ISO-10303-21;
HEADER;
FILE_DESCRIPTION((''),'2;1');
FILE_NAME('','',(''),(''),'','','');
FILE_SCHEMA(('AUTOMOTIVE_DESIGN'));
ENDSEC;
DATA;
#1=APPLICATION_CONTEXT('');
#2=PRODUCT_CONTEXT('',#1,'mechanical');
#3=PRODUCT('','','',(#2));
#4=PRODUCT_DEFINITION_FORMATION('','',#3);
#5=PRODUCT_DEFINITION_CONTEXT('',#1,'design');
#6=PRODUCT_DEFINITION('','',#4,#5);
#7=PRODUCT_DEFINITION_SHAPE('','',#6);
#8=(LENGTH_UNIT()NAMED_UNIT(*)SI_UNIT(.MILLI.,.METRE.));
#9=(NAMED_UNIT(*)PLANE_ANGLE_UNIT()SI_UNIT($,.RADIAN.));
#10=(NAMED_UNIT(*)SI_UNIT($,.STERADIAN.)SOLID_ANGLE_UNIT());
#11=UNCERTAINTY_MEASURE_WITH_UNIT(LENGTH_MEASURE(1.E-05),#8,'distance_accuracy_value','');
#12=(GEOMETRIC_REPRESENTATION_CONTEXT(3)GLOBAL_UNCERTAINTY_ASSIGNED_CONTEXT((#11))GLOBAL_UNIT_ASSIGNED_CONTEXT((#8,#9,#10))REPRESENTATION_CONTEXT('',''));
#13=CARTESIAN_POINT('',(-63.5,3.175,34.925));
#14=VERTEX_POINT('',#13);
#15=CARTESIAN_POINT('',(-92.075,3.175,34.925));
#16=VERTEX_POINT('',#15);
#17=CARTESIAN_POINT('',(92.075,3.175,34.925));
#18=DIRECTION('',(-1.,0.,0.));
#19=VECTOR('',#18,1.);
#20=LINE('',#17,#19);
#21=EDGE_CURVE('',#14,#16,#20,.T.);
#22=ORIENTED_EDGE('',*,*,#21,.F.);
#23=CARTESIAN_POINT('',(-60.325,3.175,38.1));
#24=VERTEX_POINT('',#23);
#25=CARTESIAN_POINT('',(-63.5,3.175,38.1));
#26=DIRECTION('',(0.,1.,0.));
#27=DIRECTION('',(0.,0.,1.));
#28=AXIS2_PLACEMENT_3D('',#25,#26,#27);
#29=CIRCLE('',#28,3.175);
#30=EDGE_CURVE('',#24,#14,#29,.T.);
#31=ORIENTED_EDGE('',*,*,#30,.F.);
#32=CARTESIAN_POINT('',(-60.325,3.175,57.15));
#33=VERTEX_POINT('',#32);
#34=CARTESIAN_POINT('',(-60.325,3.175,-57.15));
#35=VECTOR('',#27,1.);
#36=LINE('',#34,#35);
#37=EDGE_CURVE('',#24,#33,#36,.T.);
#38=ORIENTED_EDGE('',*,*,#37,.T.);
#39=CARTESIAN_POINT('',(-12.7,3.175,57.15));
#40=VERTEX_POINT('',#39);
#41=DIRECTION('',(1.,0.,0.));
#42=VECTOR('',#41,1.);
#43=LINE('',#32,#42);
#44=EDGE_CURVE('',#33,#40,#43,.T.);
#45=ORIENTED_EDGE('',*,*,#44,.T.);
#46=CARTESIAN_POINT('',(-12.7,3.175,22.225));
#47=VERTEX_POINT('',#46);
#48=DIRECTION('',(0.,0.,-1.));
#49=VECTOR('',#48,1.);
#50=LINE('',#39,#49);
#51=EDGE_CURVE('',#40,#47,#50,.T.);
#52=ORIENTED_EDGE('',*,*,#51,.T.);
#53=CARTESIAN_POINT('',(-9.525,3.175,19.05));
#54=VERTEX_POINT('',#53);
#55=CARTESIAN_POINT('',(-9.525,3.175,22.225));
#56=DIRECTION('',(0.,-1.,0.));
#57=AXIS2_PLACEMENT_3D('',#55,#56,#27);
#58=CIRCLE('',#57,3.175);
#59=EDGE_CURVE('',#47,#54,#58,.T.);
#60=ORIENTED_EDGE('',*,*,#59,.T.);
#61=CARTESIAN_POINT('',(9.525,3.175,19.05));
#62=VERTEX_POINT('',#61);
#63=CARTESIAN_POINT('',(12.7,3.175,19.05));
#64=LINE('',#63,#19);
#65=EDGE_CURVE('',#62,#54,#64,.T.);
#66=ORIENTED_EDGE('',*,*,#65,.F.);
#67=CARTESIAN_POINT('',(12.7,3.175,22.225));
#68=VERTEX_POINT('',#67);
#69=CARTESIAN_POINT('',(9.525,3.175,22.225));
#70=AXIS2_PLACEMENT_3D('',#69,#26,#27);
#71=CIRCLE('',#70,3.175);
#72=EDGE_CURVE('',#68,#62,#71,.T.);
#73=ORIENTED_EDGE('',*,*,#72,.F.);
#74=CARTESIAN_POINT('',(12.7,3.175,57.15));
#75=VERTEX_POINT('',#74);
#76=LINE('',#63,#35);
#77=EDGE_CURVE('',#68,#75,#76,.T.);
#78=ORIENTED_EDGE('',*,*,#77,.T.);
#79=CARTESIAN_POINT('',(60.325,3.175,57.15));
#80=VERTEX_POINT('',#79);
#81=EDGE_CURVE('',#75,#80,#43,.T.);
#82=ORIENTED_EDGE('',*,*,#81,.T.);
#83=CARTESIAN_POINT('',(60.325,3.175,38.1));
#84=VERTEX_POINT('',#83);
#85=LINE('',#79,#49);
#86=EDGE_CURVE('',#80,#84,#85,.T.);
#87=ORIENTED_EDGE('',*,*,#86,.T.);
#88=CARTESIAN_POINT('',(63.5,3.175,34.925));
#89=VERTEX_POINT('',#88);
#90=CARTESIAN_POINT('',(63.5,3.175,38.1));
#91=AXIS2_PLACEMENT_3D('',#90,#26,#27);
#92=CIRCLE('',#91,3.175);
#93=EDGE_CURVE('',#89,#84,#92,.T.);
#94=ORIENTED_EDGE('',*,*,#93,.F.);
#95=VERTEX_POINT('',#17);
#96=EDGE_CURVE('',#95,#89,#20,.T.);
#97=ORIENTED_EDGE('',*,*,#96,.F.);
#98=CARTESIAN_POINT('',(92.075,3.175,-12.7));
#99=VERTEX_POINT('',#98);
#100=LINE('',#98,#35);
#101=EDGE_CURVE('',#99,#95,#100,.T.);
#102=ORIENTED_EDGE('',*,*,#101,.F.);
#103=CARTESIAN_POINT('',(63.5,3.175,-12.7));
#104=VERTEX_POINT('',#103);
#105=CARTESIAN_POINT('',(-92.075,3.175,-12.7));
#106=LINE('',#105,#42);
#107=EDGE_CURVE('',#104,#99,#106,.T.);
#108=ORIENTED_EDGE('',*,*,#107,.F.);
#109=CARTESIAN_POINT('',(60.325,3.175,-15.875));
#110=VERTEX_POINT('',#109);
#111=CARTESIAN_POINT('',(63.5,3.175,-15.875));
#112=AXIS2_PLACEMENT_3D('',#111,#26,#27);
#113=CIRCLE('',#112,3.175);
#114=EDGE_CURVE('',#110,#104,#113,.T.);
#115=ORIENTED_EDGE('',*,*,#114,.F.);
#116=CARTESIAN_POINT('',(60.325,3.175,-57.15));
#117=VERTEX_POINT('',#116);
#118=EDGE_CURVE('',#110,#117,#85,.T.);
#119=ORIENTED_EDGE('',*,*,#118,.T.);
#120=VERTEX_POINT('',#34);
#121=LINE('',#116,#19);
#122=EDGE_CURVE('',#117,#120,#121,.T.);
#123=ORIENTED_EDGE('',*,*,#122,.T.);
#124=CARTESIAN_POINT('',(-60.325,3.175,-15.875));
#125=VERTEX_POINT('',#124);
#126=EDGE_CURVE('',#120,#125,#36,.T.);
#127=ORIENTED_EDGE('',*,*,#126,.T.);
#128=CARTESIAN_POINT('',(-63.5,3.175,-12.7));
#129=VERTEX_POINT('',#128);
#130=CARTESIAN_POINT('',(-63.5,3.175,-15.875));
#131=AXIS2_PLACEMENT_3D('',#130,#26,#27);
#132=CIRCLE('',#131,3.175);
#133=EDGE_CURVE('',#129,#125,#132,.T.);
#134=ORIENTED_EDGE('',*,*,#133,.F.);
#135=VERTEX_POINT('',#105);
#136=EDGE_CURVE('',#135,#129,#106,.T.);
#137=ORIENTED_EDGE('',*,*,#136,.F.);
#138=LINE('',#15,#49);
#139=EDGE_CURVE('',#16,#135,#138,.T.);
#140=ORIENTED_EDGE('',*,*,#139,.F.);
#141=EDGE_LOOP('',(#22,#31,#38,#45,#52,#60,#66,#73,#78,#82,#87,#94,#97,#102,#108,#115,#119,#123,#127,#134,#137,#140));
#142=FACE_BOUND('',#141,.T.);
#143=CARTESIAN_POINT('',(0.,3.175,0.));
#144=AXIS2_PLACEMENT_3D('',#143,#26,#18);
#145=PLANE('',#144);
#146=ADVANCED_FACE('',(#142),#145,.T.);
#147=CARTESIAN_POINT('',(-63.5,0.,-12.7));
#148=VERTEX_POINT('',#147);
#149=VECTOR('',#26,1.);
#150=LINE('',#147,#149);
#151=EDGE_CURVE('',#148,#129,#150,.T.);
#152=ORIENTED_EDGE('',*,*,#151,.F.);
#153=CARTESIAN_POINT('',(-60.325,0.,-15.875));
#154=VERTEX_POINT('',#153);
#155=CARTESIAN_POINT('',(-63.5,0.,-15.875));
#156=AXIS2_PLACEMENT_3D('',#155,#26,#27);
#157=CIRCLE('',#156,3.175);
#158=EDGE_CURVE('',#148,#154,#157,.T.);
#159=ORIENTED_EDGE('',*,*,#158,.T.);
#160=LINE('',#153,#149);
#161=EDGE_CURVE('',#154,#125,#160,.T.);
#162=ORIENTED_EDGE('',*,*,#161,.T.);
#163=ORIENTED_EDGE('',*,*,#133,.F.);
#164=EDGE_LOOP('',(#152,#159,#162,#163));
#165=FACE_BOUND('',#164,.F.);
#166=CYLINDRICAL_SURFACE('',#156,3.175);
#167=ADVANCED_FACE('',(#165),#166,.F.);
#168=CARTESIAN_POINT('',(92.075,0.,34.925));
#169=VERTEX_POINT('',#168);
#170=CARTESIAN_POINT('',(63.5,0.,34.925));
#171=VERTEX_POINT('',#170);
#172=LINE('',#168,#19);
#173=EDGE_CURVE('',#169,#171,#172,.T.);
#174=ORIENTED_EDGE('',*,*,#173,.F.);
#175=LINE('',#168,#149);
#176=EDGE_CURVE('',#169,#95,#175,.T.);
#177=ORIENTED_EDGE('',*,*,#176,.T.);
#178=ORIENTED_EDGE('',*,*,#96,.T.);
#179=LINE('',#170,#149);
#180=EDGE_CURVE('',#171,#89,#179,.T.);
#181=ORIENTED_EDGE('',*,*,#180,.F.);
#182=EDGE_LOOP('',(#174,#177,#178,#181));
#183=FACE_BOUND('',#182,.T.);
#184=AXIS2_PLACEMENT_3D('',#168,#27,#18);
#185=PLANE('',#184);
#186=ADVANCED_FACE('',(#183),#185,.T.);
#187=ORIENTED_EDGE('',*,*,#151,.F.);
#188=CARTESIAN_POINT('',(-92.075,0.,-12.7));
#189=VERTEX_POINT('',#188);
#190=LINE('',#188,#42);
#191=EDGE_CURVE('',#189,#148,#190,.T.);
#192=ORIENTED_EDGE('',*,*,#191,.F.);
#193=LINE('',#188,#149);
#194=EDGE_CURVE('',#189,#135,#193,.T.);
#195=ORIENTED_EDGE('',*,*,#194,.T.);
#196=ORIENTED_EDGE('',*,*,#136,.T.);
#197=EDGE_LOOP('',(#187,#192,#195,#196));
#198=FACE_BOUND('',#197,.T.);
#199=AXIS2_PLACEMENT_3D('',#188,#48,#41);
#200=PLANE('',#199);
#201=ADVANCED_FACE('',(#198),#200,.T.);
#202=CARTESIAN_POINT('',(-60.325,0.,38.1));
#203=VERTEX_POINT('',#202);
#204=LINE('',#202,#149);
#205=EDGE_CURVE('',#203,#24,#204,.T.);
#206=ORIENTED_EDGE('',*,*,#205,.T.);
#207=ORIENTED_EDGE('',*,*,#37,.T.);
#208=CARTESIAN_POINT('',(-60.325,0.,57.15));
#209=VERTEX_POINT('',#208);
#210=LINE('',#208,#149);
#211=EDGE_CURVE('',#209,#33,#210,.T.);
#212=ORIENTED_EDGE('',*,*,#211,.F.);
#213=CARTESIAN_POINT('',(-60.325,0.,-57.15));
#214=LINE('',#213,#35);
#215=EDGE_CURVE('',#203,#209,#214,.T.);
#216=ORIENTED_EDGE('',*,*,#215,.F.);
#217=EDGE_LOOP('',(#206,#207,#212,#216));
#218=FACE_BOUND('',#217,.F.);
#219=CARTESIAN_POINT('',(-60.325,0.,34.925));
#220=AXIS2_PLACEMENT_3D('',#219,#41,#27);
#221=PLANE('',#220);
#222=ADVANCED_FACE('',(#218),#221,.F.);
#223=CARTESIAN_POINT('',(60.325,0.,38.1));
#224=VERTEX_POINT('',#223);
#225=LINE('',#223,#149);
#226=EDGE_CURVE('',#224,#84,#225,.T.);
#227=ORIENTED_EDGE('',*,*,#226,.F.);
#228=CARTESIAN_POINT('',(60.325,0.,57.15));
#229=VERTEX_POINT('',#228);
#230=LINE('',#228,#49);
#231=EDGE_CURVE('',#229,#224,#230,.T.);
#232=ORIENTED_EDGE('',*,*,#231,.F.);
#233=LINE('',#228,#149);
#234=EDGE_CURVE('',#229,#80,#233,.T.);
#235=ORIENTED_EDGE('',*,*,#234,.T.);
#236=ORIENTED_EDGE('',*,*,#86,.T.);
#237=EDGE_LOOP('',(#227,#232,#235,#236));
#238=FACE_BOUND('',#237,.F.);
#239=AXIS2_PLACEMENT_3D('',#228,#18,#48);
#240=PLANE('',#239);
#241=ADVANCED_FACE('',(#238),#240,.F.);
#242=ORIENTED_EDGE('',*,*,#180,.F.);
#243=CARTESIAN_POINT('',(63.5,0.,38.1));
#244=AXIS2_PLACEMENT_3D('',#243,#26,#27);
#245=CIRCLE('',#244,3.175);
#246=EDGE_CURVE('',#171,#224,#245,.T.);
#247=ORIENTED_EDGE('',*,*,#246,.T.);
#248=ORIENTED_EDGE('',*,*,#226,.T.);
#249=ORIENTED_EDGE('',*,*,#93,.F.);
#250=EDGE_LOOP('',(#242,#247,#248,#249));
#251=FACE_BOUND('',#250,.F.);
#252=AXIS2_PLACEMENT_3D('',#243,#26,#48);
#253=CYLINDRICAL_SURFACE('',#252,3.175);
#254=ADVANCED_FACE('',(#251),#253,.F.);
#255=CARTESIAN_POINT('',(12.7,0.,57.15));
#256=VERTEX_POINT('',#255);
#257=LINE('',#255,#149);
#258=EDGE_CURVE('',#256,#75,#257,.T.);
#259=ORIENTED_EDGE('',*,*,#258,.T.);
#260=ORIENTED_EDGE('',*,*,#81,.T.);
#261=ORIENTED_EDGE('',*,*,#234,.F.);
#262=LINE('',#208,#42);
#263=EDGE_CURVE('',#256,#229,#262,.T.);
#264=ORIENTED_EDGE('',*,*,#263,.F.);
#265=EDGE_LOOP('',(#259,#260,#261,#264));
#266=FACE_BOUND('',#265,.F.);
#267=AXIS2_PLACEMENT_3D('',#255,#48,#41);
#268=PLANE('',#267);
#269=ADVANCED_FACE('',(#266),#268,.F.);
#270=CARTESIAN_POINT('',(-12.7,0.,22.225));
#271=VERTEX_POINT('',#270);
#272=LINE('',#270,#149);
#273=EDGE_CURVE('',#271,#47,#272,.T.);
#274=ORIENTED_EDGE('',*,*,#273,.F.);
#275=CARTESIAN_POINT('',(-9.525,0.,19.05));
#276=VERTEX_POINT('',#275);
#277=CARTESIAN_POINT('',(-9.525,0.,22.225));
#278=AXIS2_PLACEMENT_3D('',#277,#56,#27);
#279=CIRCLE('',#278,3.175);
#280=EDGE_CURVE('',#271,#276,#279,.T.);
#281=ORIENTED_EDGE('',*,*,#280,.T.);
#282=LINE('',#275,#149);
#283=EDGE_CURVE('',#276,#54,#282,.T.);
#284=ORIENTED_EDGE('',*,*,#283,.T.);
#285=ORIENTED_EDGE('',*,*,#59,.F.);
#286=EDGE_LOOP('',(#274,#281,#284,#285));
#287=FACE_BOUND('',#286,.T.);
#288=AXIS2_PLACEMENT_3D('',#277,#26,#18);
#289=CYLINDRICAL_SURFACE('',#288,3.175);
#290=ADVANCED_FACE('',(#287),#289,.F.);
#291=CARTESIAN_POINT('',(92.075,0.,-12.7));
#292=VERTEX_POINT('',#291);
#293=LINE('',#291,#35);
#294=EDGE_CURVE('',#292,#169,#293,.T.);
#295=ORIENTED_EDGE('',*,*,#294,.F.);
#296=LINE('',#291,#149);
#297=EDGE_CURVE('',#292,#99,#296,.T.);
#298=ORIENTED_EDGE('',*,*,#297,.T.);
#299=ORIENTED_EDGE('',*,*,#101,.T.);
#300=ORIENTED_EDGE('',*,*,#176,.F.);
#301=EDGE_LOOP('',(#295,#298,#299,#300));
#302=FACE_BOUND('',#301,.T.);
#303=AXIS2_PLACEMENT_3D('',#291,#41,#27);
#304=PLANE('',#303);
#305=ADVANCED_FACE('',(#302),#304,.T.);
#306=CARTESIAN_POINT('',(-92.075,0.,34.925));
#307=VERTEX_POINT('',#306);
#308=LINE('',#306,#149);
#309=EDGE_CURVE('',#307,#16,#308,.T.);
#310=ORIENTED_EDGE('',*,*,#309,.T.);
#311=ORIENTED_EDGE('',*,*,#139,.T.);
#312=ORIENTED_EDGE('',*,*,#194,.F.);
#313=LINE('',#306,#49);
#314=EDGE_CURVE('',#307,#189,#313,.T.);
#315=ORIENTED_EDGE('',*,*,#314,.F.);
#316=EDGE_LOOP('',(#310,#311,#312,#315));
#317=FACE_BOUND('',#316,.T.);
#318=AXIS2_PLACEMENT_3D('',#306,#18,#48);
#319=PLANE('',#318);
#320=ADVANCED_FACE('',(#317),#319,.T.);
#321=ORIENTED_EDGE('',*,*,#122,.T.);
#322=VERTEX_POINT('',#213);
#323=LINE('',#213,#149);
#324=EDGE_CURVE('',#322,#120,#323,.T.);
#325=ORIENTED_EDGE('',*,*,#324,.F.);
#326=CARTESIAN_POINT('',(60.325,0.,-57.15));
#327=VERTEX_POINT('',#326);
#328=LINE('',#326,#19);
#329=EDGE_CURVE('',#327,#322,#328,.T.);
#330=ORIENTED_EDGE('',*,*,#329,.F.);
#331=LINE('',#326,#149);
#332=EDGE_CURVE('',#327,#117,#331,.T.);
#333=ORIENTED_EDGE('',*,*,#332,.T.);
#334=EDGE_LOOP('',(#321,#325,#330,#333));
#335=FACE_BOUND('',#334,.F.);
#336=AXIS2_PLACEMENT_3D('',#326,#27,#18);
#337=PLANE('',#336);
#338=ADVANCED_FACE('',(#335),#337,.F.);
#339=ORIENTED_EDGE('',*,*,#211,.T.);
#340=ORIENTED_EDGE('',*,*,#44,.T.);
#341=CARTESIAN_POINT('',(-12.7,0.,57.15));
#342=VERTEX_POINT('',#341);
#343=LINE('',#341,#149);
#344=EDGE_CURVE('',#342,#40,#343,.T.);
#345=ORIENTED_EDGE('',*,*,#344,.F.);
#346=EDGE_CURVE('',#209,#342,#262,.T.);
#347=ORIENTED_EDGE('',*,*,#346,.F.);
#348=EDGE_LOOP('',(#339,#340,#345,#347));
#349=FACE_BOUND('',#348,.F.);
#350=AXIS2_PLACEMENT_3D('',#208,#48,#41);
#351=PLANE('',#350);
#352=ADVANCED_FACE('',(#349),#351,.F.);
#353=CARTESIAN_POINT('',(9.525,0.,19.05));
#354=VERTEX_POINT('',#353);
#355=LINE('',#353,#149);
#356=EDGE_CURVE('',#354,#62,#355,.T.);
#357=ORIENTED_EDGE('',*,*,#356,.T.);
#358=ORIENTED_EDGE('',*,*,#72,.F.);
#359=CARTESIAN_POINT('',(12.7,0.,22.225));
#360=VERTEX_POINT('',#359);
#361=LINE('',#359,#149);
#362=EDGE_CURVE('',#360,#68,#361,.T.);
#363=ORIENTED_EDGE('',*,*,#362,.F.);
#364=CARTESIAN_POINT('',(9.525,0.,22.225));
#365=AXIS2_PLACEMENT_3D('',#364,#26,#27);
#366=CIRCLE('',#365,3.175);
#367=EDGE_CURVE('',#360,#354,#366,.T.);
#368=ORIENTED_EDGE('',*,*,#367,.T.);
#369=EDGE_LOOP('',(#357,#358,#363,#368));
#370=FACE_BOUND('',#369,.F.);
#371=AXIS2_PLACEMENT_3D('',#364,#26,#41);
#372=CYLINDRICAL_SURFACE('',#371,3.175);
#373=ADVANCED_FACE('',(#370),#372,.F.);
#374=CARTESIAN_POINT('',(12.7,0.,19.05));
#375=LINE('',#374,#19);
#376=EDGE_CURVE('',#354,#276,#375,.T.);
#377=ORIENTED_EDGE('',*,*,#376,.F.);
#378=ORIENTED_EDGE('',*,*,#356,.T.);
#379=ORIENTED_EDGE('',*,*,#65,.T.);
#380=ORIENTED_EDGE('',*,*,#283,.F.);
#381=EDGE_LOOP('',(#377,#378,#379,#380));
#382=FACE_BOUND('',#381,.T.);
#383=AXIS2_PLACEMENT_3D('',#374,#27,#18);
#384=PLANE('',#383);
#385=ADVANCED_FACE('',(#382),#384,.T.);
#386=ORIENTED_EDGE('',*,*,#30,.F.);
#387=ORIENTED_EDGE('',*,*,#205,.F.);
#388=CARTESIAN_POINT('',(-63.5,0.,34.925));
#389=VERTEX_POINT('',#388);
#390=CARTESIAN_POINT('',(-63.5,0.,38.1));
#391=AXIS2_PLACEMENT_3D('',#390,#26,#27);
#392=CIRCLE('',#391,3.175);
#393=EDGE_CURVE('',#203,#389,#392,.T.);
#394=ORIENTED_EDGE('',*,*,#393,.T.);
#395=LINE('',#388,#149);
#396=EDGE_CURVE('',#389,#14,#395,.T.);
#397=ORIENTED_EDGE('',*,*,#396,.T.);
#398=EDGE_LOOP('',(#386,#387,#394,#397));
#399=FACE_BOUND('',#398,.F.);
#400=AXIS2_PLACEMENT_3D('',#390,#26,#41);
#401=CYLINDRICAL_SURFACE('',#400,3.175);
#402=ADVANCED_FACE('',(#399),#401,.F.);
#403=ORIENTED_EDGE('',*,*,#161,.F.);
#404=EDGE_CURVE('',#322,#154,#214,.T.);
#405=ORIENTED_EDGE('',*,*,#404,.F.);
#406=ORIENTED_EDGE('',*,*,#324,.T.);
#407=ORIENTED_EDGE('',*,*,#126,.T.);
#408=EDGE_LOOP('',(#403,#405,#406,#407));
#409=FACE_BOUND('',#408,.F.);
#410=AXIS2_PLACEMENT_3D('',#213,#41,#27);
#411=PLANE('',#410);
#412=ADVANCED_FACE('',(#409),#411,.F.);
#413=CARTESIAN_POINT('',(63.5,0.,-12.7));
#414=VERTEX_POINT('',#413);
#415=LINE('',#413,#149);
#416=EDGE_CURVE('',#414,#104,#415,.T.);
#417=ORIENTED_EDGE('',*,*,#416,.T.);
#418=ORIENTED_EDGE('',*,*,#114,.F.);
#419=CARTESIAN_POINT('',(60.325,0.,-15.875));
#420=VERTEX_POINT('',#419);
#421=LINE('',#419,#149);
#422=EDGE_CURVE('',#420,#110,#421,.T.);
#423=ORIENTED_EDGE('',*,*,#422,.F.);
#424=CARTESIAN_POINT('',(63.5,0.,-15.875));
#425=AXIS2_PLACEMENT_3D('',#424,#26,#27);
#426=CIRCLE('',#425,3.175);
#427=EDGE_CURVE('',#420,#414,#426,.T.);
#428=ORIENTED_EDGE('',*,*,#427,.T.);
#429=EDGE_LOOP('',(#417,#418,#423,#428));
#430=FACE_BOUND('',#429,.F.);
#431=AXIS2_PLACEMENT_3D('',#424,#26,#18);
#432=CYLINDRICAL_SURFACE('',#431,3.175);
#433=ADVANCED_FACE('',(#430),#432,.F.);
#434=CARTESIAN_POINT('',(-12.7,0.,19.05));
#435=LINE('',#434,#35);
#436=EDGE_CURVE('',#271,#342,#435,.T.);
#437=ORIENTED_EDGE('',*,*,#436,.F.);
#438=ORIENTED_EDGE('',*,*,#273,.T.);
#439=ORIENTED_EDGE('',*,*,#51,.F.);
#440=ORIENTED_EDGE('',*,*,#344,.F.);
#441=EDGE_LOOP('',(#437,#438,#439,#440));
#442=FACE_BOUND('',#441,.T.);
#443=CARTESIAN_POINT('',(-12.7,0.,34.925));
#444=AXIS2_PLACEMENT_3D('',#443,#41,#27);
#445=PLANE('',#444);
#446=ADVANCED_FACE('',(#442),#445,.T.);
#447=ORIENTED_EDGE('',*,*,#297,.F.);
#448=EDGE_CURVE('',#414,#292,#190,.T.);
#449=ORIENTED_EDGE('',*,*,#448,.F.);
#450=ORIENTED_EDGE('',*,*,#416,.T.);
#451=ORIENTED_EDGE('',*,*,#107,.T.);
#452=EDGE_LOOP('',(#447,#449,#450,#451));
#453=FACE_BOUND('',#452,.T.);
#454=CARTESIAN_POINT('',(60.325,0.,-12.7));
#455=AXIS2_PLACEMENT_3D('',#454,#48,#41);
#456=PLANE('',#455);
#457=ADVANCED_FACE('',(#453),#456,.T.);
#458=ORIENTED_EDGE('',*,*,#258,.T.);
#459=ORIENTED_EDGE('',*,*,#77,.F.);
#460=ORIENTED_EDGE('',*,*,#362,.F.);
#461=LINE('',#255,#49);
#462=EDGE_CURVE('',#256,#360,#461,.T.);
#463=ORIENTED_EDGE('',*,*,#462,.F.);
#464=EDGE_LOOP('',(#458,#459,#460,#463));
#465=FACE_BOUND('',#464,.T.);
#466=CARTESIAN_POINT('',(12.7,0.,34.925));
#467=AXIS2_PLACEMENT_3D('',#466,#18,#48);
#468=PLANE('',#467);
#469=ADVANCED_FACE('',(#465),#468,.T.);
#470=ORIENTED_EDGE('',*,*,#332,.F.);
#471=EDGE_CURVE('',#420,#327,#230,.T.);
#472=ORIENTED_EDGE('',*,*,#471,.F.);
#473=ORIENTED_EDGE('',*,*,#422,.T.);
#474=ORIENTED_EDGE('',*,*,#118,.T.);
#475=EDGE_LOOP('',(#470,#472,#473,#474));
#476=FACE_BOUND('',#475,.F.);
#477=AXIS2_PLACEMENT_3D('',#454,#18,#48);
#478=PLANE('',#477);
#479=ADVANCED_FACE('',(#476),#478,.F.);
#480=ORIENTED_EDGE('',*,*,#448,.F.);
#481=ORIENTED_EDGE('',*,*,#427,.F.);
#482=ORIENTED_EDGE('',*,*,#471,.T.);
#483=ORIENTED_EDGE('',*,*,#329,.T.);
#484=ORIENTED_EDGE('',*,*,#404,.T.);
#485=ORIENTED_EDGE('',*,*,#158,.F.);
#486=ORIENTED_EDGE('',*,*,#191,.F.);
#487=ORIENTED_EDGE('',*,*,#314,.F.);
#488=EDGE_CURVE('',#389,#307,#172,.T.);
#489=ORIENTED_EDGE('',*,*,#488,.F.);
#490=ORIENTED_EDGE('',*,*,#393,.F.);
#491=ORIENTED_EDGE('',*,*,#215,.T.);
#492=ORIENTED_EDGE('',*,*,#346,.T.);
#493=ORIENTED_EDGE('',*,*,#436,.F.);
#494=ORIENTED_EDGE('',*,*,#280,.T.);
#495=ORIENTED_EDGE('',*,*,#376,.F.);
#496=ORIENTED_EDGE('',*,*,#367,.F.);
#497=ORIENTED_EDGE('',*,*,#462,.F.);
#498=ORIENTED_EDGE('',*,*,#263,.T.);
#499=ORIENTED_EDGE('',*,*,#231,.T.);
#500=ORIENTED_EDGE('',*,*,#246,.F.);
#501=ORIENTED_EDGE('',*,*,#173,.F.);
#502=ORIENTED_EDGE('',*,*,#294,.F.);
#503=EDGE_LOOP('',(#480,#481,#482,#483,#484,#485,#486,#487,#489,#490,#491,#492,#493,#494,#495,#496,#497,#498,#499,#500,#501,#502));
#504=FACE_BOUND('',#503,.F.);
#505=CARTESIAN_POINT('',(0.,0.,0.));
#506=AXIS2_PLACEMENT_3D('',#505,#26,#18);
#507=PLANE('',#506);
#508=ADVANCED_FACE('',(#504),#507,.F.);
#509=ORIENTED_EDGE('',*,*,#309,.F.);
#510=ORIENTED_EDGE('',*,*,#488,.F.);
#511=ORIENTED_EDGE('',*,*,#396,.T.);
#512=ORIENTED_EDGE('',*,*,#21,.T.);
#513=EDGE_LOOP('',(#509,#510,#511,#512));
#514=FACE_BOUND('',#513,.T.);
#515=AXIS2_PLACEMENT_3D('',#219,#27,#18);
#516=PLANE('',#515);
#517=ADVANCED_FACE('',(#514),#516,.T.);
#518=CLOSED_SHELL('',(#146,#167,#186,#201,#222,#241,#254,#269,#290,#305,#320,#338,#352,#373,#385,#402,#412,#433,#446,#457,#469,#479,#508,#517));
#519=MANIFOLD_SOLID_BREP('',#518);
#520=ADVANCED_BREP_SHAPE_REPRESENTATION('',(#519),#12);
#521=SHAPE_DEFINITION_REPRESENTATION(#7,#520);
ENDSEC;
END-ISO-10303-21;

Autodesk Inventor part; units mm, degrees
ref_plane "YZ Plane" through (0, 0, 0) normal (1, 0, 0) x (0, 1, 0)
ref_plane "XZ Plane" through (0, 0, 0) normal (0, 1, 0) x (-1, 0, 0)
ref_plane "XY Plane" through (0, 0, 0) normal (0, 0, 1) x (1, 0, 0)
sketch "Sketch1" plane through (0, 0, 0) normal (0, 1, 0) x (-1, 0, 0)
  line L0 (60.325, 57.15) -> (-60.325, 57.15)
  line L1 (-60.325, 57.15) -> (-60.325, -57.15)
  line L2 (-60.325, -57.15) -> (60.325, -57.15)
  line L3 (60.325, -57.15) -> (60.325, 57.15)
  line L4 (60.325, 57.15) -> (-60.325, -57.15) construction
  line L5 (-60.325, 57.15) -> (60.325, -57.15) construction
  line L6 (12.7, 95.25) -> (-12.7, 95.25)
  line L7 (-12.7, 95.25) -> (-12.7, 19.05)
  line L8 (-12.7, 19.05) -> (12.7, 19.05)
  line L9 (12.7, 19.05) -> (12.7, 95.25)
  line L10 (12.7, 95.25) -> (-12.7, 19.05) construction
  line L11 (-12.7, 95.25) -> (12.7, 19.05) construction
  line L12 (0, 57.15) -> (0, -57.15) construction
  line L13 (-92.075, 34.925) -> (92.075, 34.925)
  line L14 (92.075, 34.925) -> (92.075, -12.7)
  line L15 (92.075, -12.7) -> (-92.075, -12.7)
  line L16 (-92.075, -12.7) -> (-92.075, 34.925)
  line L17 (-92.075, 34.925) -> (92.075, -12.7) construction
  line L18 (92.075, 34.925) -> (-92.075, -12.7) construction
  point P0 (0, 0)
  point P1 (12.7, 57.15)
  point P2 (-12.7, 57.15)
  point P3 (0, 11.1125)
  point P4 (60.325, 34.925)
  point P5 (60.325, -12.7)
  point P6 (-60.325, -12.7)
  point P7 (-60.325, 34.925)
  dimension "d0" = 120.65
  dimension "d1" = 114.3
  dimension "d2" = 25.4
  dimension "d3" = 76.2
  dimension "d6" = 184.15
  dimension "d7" = 22.225
  dimension "d8" = 44.45
extrude "Extrusion1" add sketch "Sketch1" along normal blind 3.175 contours L3 L13 L9 L0 | L13 L14 L15 L3 | L3 L15 L1 L13 L7 L8 L9 | L7 L13 L1 L0 | L3 L2 L1 L15 | L15 L16 L13 L1
fillet "Fillet1" radius 3.175 6 edges at (60.325, 1.5875, 34.925) (60.325, 1.5875, -12.7) (-12.7, 1.5875, 19.05) (12.7, 1.5875, 19.05) (-60.325, 1.5875, 34.925) (-60.325, 1.5875, -12.7)
properties part number "Bottom Plate" material "UHMW, White"
